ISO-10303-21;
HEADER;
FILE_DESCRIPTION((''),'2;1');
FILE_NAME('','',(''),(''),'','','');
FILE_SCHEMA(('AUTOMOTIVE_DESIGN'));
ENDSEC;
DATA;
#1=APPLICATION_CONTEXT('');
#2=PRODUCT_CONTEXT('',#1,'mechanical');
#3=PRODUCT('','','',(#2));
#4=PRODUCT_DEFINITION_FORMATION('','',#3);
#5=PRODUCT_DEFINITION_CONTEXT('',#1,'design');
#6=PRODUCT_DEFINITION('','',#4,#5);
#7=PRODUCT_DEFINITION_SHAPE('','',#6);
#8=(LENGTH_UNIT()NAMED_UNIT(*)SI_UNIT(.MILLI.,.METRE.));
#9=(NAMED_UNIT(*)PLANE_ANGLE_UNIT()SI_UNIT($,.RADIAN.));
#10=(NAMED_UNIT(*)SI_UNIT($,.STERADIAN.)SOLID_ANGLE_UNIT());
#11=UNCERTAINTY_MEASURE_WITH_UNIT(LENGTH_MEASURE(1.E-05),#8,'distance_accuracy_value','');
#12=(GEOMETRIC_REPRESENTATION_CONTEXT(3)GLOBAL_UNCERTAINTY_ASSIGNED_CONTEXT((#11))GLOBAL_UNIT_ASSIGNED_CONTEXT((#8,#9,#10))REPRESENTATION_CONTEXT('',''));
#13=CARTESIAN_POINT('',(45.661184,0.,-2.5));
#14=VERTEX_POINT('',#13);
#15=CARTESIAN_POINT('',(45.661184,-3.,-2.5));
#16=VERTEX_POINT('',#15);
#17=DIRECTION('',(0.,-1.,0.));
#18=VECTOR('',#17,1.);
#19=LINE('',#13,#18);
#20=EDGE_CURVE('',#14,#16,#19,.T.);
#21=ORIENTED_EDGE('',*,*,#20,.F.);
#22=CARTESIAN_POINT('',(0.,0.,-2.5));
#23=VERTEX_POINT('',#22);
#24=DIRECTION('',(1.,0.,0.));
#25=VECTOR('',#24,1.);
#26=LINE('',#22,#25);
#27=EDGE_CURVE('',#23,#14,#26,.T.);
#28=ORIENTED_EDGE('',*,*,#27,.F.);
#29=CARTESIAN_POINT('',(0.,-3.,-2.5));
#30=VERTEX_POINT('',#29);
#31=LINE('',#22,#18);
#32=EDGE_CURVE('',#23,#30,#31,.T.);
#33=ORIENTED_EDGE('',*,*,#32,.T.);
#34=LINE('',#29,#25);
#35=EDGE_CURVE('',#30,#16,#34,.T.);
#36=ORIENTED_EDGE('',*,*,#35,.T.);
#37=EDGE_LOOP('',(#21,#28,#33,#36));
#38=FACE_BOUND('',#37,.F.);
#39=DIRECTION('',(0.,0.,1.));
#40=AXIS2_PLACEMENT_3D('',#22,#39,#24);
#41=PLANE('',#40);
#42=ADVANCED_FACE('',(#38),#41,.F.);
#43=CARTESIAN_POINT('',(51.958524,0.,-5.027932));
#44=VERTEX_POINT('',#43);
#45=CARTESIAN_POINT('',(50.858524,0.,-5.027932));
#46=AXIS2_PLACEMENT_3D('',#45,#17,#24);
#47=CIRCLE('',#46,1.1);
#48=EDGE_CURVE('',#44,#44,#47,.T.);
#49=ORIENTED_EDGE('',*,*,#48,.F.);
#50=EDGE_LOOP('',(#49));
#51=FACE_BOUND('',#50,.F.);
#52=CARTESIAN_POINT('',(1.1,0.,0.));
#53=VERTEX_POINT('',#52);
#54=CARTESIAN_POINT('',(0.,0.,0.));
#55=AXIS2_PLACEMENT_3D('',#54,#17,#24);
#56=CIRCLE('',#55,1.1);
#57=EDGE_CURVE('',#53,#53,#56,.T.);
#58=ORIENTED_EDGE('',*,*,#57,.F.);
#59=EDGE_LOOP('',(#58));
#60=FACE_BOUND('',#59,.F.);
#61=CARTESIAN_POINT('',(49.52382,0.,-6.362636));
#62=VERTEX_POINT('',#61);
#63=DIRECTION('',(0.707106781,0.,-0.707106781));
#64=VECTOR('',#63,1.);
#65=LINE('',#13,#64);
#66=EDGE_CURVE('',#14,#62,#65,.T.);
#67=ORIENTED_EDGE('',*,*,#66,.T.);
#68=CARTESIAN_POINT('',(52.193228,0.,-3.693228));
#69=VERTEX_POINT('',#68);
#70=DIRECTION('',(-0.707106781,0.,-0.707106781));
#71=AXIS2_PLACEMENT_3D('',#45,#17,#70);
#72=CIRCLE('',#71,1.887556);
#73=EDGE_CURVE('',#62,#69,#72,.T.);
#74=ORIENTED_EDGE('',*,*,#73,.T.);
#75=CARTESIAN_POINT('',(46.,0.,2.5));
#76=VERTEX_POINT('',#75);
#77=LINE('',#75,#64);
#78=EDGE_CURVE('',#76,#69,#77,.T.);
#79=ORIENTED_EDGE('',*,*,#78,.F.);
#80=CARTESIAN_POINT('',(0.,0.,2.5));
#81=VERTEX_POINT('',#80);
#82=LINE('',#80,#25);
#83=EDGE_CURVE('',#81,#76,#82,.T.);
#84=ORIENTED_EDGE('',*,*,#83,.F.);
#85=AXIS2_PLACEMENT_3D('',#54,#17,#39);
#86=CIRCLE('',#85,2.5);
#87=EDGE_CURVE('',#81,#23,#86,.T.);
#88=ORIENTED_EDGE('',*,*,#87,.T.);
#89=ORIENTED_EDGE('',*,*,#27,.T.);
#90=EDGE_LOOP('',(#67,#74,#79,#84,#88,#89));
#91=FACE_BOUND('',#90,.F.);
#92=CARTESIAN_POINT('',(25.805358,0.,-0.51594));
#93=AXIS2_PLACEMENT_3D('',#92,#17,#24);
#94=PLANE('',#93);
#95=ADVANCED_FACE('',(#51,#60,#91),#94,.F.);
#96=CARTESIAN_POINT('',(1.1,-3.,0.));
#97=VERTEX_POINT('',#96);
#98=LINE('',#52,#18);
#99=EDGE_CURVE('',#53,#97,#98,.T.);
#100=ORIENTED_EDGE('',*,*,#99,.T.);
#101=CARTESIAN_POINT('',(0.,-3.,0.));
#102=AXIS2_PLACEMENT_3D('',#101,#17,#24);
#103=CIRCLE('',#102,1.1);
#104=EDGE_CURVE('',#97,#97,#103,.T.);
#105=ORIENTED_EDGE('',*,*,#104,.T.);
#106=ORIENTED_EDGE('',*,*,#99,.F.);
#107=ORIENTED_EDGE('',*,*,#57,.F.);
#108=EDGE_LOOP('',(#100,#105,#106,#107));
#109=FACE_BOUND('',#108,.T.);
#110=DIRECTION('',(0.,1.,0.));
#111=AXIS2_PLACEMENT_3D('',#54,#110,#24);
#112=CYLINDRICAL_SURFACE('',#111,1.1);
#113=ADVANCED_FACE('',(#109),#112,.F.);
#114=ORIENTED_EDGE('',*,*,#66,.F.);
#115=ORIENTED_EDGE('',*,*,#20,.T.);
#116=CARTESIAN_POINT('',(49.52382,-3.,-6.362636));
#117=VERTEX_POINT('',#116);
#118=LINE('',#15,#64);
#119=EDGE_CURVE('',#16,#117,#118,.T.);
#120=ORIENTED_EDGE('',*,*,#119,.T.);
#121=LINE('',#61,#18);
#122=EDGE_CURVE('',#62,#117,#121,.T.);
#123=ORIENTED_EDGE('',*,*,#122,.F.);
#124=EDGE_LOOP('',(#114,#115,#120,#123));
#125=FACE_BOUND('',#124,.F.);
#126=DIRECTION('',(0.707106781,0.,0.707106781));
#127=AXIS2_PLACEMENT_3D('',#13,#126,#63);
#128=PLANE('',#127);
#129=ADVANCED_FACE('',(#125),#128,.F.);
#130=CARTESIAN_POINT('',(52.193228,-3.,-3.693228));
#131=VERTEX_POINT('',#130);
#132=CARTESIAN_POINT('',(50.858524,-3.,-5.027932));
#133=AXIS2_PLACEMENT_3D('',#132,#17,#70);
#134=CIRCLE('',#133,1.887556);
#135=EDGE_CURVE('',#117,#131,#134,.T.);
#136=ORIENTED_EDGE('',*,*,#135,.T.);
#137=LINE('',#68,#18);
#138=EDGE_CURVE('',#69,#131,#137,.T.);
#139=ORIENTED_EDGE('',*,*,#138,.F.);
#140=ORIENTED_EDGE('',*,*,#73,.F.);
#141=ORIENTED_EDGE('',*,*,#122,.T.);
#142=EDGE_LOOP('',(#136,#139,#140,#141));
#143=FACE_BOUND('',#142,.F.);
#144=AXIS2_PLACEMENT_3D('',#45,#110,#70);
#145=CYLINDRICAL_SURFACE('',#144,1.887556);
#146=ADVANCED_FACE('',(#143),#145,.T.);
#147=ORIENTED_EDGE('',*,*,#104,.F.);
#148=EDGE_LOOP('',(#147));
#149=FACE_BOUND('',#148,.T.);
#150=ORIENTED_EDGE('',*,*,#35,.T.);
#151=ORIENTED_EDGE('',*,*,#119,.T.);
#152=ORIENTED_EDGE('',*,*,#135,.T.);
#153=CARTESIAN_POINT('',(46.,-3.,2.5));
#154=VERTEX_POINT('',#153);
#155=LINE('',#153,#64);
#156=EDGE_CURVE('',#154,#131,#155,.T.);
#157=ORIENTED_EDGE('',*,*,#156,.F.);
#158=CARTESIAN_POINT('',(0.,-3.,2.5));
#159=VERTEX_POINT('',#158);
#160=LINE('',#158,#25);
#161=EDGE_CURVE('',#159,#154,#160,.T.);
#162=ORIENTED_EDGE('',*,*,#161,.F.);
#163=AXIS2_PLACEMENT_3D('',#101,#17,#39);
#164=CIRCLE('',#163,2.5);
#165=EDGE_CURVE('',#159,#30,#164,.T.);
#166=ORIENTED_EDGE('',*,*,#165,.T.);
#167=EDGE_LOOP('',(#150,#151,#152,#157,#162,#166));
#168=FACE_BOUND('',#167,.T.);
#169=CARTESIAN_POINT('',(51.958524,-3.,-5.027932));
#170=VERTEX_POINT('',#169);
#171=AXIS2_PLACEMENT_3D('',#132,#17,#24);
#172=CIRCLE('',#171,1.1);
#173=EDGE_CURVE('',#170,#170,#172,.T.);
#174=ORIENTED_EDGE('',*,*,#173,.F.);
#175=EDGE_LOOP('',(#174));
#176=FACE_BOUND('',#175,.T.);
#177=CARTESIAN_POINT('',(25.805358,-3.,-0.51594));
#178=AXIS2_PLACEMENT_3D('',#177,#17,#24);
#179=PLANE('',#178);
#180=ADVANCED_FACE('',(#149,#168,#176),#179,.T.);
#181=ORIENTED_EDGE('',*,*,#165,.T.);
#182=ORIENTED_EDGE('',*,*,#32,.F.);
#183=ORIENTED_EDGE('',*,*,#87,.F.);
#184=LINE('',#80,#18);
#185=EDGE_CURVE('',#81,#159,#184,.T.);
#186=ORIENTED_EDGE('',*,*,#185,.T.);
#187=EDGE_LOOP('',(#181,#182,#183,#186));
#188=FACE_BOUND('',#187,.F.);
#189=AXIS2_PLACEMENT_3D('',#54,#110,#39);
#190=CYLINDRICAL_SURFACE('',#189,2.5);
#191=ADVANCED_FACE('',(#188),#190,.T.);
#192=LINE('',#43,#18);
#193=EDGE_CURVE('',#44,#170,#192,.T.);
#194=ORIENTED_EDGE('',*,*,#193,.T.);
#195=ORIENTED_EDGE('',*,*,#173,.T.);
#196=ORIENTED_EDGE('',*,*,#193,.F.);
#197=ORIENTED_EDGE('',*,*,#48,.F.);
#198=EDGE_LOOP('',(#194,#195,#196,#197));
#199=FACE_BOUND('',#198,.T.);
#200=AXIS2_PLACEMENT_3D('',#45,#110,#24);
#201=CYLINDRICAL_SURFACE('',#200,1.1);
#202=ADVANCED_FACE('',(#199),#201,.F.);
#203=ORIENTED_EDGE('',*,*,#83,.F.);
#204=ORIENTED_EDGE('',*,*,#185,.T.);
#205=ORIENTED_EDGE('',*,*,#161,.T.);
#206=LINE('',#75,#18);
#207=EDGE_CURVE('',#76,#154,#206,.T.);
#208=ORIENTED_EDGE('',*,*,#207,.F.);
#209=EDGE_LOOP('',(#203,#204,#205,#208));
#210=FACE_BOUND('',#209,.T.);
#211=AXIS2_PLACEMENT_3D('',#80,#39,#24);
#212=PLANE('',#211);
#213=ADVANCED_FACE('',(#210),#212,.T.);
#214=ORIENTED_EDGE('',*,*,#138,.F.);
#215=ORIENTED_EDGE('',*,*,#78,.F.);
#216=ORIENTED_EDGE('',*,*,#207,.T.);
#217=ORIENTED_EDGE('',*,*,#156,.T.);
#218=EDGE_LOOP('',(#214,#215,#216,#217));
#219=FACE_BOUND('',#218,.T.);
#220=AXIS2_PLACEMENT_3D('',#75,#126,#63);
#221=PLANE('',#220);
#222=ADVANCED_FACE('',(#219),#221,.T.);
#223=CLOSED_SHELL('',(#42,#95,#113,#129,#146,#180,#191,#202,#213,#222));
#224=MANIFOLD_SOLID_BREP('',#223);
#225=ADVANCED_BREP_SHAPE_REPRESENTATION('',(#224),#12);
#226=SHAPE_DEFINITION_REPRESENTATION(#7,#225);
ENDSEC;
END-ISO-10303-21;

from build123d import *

# Parameters (mm, degrees)
SKETCH_R  = 1.1
PAD_DEPTH = 3


with BuildPart() as part:
    # Sketch → Pad (new body)
    with BuildSketch(Plane.XZ):
        with BuildLine():
            ThreePointArc((0, 2.5), (-2.5, 0), (0, -2.5))
            Line((0, -2.5), (45.661184, -2.5))
            Line((45.661184, -2.5), (49.52382, -6.362636))
            ThreePointArc((49.52382, -6.362636), (52.193228, -6.362636), (52.193228, -3.693228))
            Line((46, 2.5), (52.193228, -3.693228))
            Line((0, 2.5), (46, 2.5))
        make_face()
        Circle(SKETCH_R, mode=Mode.SUBTRACT)
        with Locations((50.858524, -5.027932)):
            Circle(SKETCH_R, mode=Mode.SUBTRACT)
    extrude(amount=PAD_DEPTH)


solid = part.part
